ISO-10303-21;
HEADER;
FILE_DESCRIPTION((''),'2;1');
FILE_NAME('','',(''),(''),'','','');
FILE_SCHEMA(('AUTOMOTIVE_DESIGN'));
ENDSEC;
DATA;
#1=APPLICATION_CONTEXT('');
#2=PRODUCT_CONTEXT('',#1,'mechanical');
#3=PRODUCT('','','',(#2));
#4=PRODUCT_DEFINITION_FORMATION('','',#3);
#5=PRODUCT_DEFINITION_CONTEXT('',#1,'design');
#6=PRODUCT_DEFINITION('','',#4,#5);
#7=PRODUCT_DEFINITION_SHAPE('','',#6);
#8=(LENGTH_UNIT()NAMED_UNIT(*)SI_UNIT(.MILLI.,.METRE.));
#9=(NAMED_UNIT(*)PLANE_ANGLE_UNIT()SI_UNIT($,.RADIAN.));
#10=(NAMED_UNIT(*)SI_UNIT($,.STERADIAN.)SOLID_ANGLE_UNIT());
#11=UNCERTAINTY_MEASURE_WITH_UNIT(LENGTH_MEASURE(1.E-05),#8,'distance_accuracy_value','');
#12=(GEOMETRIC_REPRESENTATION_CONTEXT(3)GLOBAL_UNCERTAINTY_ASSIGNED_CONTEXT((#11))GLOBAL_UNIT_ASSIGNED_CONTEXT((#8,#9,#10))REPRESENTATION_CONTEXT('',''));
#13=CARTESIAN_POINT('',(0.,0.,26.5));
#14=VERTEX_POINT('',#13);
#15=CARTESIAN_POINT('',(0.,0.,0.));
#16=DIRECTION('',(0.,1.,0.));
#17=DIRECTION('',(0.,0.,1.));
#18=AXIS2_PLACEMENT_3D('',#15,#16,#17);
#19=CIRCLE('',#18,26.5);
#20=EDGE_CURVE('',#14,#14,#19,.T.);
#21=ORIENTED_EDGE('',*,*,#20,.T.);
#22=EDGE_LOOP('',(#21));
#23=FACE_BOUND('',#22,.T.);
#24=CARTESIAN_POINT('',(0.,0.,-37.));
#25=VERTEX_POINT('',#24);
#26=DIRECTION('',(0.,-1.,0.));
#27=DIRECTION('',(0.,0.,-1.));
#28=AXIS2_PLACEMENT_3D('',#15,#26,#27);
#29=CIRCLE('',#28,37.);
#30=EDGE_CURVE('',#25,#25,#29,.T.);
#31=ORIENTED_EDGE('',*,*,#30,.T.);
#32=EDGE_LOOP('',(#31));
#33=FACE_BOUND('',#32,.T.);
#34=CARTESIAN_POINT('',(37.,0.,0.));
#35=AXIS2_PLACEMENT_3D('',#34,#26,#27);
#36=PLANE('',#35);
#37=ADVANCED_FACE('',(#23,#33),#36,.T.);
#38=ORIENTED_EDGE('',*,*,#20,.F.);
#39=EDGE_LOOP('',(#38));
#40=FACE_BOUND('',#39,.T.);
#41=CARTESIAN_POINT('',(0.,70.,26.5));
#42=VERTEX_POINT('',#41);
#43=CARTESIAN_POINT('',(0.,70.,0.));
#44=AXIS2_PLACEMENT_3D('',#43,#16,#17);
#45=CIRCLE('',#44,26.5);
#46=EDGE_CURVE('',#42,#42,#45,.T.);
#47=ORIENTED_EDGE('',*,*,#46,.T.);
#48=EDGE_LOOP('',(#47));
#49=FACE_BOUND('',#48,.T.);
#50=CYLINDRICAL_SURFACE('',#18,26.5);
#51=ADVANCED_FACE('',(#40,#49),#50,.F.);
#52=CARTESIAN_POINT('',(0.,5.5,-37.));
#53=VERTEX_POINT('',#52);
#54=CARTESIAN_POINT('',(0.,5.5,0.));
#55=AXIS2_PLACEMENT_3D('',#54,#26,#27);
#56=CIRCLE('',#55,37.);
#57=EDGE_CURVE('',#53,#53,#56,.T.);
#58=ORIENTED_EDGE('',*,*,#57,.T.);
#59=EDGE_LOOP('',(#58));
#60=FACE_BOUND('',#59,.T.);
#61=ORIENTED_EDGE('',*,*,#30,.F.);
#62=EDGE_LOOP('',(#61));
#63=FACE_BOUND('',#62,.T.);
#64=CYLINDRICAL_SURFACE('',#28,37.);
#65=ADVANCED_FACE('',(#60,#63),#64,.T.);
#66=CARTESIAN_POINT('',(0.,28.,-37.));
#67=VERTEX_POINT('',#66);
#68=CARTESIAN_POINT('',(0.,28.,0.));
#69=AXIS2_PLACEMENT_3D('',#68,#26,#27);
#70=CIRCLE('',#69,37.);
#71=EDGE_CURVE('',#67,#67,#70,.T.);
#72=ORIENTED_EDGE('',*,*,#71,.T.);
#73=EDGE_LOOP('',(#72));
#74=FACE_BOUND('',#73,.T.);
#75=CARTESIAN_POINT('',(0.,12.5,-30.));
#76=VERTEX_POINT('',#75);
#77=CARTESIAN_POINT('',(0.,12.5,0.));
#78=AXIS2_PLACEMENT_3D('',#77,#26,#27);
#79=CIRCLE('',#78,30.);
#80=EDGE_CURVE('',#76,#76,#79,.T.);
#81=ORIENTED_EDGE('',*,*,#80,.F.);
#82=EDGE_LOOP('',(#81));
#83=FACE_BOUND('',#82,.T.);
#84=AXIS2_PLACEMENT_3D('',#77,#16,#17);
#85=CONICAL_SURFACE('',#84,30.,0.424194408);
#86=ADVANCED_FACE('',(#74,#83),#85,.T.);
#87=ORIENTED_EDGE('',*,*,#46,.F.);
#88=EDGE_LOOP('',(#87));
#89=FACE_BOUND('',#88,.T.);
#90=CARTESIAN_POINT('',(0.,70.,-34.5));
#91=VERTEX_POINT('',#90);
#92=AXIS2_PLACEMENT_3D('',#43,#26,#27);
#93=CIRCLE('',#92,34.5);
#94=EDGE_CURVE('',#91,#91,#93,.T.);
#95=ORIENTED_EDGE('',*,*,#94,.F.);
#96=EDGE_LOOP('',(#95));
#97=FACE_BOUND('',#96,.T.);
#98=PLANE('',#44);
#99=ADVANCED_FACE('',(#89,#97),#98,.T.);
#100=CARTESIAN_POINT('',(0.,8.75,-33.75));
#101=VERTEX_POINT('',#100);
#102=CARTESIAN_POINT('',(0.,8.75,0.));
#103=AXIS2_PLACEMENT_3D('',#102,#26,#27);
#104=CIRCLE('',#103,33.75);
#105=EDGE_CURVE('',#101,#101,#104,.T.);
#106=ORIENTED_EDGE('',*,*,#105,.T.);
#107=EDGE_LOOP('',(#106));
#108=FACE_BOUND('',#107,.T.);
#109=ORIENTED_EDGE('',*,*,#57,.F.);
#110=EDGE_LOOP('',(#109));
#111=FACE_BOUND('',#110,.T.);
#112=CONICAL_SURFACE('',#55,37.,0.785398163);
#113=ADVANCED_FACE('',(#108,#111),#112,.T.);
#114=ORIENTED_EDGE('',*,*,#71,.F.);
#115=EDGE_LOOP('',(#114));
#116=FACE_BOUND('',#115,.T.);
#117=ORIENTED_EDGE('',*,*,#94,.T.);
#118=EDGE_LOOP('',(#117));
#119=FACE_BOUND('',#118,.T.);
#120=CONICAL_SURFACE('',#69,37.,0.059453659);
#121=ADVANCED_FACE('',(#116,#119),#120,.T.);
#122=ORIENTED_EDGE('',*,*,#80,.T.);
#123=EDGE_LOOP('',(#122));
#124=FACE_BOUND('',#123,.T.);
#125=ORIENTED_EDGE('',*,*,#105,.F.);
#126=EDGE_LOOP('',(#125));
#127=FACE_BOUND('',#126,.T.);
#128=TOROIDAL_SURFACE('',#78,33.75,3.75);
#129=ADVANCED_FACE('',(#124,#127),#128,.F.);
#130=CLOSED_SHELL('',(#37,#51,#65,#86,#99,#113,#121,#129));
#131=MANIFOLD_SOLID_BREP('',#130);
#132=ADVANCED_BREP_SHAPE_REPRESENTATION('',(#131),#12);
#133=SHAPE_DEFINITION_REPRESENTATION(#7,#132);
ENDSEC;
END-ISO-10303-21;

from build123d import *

# Parameters (mm, degrees)
SKETCH2_R               = 26.5
CUT_EXTRUDE1_DEPTH      = 1
CUT_EXTRUDE1_DEPTH_BACK = 71


with BuildPart() as part:
    # Sketch1 → Revolve1 (revolve)
    with BuildSketch(Plane.XY):
        with BuildLine():
            Line((0, 0), (0, 70))
            Line((0, 70), (34.5, 70))
            Line((34.5, 70), (37, 28))
            Line((37, 28), (30, 12.5))
            ThreePointArc((30, 12.5), (31.098349571, 9.848349571), (33.75, 8.75))
            Line((33.75, 8.75), (37, 5.5))
            Line((37, 5.5), (37, 0))
            Line((37, 0), (0, 0))
        make_face()
    revolve(axis=Axis((0, 0, 0), (0, 1, 0)))

    # Sketch2 → Cut-Extrude1 (cut, two sides)
    with BuildSketch(Plane(origin=(0, 70, 0), x_dir=(1, 0, 0), z_dir=(0, 1, 0))) as cut_extrude1_sk:
        Circle(SKETCH2_R)
    extrude(amount=CUT_EXTRUDE1_DEPTH, mode=Mode.SUBTRACT)
    extrude(cut_extrude1_sk.sketch, amount=-CUT_EXTRUDE1_DEPTH_BACK, mode=Mode.SUBTRACT)


solid = part.part
